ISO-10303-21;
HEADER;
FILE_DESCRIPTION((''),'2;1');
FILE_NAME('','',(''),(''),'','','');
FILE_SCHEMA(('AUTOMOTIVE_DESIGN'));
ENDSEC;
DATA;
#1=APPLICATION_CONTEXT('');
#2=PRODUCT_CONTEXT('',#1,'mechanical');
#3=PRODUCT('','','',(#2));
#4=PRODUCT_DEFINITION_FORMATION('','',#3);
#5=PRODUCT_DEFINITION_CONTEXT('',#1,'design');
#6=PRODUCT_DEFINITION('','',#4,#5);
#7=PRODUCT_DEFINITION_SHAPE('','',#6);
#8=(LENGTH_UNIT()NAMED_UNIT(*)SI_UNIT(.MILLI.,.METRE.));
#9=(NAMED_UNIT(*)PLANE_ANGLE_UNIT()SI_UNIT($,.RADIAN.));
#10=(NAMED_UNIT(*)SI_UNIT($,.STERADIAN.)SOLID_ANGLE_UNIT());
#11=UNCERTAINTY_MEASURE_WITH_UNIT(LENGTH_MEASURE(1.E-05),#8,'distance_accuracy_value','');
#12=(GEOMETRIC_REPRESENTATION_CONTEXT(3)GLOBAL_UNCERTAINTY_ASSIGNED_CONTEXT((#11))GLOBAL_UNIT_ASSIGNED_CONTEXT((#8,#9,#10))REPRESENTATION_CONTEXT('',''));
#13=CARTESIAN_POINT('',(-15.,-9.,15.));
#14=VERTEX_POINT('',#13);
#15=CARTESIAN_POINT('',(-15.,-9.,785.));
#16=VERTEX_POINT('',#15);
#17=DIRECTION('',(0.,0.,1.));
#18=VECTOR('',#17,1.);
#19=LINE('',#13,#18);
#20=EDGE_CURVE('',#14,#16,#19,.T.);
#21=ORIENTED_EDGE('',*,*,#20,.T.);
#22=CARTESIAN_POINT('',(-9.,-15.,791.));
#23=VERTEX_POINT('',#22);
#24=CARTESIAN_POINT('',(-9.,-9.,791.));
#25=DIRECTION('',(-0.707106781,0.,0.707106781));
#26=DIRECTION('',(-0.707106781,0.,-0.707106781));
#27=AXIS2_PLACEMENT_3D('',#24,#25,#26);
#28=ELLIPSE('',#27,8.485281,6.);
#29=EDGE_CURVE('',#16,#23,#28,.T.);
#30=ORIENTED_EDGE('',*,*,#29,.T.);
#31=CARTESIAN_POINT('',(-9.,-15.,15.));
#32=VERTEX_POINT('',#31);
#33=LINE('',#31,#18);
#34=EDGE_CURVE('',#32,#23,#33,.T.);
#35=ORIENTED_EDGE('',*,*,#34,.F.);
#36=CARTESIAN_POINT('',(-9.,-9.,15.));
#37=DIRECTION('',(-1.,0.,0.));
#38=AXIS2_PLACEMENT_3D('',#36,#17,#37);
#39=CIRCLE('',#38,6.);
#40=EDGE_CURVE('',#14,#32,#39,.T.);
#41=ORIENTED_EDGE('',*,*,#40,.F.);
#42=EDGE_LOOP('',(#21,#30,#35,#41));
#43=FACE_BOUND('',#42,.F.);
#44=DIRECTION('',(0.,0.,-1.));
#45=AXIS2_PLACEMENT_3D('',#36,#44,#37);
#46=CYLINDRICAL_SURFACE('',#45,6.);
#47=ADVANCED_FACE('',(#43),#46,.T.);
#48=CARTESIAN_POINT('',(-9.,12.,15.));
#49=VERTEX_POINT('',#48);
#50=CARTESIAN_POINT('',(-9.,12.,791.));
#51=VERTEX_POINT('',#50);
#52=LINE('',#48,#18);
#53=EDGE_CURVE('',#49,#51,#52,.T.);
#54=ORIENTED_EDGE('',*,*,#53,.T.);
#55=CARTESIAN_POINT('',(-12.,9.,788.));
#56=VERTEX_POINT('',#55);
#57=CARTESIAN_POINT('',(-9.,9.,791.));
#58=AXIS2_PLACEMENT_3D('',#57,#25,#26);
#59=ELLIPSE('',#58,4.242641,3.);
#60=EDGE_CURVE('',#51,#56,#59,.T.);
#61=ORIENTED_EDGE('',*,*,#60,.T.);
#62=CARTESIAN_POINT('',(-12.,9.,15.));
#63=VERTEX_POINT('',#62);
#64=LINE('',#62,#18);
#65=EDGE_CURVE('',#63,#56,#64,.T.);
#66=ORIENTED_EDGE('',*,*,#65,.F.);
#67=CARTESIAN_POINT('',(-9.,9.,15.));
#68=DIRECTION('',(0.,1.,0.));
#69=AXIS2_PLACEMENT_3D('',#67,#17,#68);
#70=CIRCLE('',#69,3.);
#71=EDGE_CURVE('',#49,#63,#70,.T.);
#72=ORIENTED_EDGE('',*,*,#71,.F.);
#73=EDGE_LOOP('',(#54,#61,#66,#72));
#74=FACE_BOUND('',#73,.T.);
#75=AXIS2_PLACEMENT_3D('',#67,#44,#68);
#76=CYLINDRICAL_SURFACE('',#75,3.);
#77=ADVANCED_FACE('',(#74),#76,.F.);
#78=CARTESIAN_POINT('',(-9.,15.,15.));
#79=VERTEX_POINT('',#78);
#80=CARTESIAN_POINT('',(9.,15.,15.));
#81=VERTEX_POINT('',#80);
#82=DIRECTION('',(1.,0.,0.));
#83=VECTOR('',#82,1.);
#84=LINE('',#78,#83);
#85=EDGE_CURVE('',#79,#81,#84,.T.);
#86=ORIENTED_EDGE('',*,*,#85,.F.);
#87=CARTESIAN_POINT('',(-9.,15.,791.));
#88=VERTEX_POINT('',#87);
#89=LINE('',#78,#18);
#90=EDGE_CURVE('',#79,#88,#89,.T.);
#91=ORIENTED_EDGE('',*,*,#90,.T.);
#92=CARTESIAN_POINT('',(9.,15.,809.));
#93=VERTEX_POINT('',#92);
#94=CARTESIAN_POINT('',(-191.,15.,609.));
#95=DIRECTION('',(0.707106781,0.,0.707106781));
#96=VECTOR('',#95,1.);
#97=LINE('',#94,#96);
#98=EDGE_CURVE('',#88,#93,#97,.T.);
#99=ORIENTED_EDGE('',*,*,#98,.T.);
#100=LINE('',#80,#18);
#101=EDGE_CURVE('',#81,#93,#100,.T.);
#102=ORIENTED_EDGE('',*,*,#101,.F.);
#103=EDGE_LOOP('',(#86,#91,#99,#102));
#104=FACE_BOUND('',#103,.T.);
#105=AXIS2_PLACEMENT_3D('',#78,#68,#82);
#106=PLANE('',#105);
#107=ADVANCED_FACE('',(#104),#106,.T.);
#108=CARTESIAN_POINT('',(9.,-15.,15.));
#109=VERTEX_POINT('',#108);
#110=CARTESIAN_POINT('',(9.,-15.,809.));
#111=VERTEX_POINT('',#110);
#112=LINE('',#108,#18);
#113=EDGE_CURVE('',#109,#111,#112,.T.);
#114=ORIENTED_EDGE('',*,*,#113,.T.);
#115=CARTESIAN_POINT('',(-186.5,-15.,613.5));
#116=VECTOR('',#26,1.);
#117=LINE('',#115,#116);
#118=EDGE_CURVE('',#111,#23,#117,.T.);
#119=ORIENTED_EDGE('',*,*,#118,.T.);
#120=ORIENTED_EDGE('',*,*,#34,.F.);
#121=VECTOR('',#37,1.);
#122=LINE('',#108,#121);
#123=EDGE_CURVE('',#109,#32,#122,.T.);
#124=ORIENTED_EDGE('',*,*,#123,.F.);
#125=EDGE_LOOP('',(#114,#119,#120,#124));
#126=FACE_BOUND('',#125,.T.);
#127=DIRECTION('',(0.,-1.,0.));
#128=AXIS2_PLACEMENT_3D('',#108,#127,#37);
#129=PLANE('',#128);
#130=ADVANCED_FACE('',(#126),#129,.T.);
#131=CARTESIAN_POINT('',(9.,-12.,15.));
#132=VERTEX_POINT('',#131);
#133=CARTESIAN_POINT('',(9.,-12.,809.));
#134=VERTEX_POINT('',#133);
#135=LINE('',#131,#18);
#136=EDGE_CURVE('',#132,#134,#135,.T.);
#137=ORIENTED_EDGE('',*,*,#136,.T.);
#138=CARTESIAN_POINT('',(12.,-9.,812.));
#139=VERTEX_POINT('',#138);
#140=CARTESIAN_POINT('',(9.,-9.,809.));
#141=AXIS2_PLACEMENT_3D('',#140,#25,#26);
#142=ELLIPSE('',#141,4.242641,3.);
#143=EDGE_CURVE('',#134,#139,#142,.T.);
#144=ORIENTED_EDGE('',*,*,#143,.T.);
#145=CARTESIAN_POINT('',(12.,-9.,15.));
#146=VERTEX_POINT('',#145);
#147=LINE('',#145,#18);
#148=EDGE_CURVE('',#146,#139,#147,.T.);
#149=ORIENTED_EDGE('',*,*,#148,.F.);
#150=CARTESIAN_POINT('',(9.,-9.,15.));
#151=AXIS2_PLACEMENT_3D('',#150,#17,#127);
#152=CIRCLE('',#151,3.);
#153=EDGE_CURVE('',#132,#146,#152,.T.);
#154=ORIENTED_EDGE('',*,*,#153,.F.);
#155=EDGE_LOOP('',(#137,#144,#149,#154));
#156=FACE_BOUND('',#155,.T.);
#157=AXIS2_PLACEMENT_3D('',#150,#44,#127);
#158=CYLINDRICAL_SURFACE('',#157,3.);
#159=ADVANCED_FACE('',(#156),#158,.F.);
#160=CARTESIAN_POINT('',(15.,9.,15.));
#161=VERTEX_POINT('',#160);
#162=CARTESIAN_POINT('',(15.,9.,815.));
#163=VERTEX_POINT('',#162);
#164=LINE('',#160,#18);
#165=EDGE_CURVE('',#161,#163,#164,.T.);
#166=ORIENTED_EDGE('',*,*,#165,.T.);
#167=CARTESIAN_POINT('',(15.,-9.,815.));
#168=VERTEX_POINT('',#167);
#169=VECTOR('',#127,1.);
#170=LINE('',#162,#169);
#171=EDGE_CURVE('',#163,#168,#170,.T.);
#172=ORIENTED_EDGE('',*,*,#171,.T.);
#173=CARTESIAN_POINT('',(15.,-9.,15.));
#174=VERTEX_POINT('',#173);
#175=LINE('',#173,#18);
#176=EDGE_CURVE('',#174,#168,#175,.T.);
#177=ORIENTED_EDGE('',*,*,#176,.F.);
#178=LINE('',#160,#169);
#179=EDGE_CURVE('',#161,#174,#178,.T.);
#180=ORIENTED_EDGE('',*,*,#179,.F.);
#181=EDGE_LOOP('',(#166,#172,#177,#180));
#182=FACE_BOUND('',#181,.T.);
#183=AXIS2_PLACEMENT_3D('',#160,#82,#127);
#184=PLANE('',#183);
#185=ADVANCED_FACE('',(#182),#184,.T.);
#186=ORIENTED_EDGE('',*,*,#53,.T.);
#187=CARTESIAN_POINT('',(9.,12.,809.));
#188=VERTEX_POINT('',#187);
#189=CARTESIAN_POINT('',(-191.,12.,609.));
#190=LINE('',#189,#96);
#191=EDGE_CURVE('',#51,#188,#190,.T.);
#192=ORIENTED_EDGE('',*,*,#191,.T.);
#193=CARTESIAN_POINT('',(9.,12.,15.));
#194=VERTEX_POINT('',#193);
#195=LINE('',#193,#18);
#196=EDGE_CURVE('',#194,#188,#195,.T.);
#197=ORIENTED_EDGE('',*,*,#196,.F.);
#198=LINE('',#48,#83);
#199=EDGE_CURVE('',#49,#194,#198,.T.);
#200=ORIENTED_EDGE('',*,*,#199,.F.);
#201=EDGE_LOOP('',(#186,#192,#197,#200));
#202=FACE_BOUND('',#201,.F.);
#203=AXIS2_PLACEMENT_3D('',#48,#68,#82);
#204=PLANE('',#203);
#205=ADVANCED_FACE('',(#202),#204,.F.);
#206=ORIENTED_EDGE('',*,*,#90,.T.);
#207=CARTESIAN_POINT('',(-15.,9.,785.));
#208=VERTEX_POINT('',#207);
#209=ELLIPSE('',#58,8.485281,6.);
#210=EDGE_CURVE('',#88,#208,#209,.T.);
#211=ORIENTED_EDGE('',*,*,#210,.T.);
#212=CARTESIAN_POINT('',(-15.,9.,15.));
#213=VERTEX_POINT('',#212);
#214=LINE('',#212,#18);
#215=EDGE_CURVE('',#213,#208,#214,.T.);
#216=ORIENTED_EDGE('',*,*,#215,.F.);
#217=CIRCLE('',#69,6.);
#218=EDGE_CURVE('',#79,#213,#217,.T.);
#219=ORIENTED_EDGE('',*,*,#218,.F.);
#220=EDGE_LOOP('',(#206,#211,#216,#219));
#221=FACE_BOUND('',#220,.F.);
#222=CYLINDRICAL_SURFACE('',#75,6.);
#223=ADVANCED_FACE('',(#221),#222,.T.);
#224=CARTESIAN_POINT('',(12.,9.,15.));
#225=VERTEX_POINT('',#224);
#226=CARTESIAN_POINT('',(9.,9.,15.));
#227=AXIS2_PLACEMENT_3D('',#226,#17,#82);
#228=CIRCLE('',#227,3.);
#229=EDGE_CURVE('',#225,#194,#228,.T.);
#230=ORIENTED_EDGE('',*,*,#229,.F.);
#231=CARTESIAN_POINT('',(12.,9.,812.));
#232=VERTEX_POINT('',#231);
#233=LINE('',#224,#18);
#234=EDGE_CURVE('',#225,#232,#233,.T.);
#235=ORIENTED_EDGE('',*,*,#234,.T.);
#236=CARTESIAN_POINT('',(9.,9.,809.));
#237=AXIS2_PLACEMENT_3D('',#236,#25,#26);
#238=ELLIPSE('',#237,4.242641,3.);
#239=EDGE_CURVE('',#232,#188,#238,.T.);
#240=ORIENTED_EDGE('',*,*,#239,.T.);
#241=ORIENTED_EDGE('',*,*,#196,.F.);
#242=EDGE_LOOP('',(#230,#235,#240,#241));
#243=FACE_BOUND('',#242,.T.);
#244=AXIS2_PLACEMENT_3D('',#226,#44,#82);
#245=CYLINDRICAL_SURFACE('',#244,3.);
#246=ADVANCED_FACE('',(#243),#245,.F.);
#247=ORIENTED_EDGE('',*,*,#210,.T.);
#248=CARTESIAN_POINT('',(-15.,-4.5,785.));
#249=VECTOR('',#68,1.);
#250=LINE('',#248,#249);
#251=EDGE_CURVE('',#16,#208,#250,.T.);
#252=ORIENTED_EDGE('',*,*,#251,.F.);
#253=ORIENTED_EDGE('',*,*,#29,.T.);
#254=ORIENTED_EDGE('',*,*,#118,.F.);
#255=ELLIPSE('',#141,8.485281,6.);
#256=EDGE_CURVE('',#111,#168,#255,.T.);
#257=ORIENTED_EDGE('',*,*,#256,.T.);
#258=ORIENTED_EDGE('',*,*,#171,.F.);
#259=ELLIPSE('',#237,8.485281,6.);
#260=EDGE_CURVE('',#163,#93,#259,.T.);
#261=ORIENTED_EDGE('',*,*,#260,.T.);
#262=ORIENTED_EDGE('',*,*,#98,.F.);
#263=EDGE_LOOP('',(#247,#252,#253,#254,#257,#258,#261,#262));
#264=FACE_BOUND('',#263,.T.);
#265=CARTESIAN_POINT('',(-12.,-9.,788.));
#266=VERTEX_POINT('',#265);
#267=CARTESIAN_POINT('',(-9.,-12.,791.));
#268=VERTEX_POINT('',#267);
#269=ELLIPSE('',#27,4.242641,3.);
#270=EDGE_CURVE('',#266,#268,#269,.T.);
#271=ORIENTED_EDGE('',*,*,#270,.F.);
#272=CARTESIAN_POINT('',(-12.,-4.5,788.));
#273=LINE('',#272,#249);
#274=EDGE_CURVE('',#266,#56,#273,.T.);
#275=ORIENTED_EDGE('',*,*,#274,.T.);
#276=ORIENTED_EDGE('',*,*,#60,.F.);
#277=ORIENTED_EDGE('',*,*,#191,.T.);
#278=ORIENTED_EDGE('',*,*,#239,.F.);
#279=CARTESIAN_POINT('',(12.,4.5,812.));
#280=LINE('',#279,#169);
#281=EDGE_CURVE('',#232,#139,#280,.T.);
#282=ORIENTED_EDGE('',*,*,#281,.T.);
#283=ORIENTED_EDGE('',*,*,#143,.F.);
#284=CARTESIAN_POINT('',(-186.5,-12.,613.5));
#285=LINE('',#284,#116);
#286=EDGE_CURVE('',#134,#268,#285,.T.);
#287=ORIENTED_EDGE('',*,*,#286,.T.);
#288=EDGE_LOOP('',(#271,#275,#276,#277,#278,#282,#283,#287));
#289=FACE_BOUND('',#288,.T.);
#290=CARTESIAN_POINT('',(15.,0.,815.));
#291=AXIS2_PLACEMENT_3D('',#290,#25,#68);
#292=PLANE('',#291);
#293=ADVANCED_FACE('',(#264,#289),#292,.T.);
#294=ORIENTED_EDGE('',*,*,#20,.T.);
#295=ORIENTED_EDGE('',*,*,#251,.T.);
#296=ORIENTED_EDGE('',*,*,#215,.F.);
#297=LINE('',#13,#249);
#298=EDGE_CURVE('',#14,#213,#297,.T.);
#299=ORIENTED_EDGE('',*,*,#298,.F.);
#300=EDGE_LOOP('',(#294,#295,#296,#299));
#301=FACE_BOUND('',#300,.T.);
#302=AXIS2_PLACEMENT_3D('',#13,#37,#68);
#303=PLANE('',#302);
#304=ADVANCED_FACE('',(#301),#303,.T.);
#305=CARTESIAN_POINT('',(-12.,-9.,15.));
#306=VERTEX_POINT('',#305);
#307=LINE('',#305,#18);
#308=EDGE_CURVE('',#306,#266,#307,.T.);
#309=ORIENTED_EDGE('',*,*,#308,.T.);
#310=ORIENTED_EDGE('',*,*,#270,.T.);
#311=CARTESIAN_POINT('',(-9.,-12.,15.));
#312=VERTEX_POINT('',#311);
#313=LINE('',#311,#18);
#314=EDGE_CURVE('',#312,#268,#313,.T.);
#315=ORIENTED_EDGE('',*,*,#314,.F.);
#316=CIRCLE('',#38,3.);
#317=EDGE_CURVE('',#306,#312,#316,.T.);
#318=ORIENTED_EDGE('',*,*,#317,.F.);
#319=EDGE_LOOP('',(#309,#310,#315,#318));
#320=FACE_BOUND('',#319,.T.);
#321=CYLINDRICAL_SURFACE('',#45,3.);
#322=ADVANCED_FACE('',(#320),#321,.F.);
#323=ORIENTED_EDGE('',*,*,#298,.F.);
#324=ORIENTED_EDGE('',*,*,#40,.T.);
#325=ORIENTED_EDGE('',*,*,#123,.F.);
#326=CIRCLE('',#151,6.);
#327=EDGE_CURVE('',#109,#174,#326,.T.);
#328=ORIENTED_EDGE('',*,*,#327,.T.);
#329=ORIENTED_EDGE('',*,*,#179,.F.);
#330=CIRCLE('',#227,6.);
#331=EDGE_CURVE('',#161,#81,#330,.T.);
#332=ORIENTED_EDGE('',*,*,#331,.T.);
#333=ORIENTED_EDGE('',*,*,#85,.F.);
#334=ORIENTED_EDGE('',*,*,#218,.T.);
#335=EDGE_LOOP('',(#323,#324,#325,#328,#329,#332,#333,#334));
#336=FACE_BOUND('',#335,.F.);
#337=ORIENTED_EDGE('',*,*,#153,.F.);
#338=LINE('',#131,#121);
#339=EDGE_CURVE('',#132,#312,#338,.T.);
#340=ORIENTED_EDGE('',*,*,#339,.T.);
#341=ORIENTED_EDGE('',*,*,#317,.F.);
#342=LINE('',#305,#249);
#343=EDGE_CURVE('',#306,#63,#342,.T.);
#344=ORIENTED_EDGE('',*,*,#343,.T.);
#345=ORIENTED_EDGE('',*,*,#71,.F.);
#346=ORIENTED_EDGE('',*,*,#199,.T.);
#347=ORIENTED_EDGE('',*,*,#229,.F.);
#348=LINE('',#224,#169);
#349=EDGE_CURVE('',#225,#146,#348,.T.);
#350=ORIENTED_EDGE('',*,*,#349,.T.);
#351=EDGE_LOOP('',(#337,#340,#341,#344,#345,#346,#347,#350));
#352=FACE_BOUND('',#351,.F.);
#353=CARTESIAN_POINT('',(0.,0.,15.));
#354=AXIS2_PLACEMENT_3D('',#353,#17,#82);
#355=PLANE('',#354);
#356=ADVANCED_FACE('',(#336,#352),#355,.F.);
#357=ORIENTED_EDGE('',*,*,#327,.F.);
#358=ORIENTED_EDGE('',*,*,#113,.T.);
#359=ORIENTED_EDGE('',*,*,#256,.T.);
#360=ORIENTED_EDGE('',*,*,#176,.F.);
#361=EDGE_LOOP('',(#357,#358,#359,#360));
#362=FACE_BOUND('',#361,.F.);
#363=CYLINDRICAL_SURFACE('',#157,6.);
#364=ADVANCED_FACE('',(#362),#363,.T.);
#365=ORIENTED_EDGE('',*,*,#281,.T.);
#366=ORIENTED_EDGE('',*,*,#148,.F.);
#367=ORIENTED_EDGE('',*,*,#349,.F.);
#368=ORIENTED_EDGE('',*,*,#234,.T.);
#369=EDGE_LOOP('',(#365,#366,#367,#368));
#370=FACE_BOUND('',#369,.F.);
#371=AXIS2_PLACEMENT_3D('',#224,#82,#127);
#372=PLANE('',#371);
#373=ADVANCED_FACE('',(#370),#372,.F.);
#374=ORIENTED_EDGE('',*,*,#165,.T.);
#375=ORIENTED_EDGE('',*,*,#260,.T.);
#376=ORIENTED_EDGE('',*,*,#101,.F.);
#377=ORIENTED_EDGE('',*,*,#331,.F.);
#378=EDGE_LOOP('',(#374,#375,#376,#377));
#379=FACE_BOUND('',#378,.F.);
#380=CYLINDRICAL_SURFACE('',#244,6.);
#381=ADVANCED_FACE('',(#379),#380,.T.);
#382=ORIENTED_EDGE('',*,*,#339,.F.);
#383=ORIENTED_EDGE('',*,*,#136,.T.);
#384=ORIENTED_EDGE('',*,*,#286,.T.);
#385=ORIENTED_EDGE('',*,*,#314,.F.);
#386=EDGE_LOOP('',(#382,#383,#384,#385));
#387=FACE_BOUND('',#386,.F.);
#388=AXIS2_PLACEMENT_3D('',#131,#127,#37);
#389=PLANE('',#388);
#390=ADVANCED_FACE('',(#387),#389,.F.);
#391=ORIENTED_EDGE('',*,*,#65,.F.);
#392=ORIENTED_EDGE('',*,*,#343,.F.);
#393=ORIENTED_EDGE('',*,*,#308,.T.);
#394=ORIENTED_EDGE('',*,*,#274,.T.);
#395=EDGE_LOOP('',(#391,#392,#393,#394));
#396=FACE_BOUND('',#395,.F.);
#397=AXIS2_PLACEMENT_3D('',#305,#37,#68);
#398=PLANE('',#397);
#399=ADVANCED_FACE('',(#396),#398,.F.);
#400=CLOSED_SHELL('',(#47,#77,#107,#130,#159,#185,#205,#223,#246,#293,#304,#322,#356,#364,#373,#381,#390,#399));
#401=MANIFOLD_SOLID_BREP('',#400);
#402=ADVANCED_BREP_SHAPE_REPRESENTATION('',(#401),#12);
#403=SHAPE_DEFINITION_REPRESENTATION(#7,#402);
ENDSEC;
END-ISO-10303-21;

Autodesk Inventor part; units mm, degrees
ref_plane "Start Plane" through (0, 0, 15) normal (0, 0, 1) x (1, 0, 0)
ref_plane "End Plane" through (0, 0, 815) normal (0, 0, 1) x (1, 0, 0)
sketch "Sketch" plane through (0, 0, 0) normal (0, 0, 1) x (1, 0, 0)
  line L0 (-15, -9) -> (-15, 9)
  line L1 (-9, 15) -> (9, 15)
  line L2 (15, 9) -> (15, -9)
  line L3 (9, -15) -> (-9, -15)
  arc A0 (-15, -9) -> (-9, -15) centre (-9, -9) ccw
  arc A1 (-9, 15) -> (-15, 9) centre (-9, 9) ccw
  arc A2 (15, 9) -> (9, 15) centre (9, 9) ccw
  arc A3 (9, -15) -> (15, -9) centre (9, -9) ccw
  arc A4 (-9, 12) -> (-12, 9) centre (-9, 9) ccw
  line L4 (-9, 12) -> (9, 12)
  arc A5 (12, 9) -> (9, 12) centre (9, 9) ccw
  line L5 (12, 9) -> (12, -9)
  arc A6 (9, -12) -> (12, -9) centre (9, -9) ccw
  line L6 (9, -12) -> (-9, -12)
  arc A7 (-12, -9) -> (-9, -12) centre (-9, -9) ccw
  line L7 (-12, -9) -> (-12, 9)
  line L8 (0, 22.7397) -> (0, -22.7397) construction
  line L9 (-22.7397, 0) -> (22.7397, 0) construction
  dimension "d7" = 6
  dimension "d10" = 30
  dimension "d11" = 30
  dimension "d12" = 3
  dimension "d15" = 15
  dimension "d16" = 15
extrude "Body" add sketch "Sketch" along normal up to surface (800 mm away) from surface at 15
sketch "Sketch3" plane through (0, 0, 0) normal (0, 0, 1) x (1, 0, 0)
  line L0 (0, 0) -> (10, 0)
ref_plane "Work Plane3" through (0, 0, 0) normal (0, -1, 0) x (1, 0, 0)
ref_plane "Work Plane4" through (15, 0, 815) normal (-0.7071, 0, 0.7071) x (0.7071, 0, 0.7071)
split "Split1" plane through (15, 0, 815) removes the side toward (-0.7071, 0, 0.7071)
ref_plane "Work Plane5" through (-1222, -9, 15) normal (0, 0, -1) x (-1, 0, 0)
split "Split2" plane through (-1222, -9, 15) removes the side toward (0, 0, -1)
sketch "Sketch4" plane through (0, 0, 0) normal (0, -1, 0) x (1, 0, 0)
  line L0 (-2, 15) -> (12, 15) projected
  line L1 (-2, 815) -> (12, 815) projected
  dimension "d18" = 800
equation "\"d7\" = G_IR"
equation "\"d10\" = G_H"
equation "\"d11\" = G_W"
equation "\"d12\" = G_T"
equation "\"d15\" = 0.5 * d10"
equation "\"d16\" = 0.5 * d11"
equation "\"d3\" = G_L"
equation "\"G_W\" = 30"
equation "\"G_H\" = 30"
equation "\"G_T\" = 3"
equation "\"G_IR\" = 6"
equation "\"G_L\" = d18"
equation "\"G_OFFSET_START\" = -15"
equation "\"G_OFFSET_END\" = 15"
equation "\"d13\" = -G_OFFSET_START"
equation "\"d14\" = G_OFFSET_END + B_L"
equation "\"B_L\" = 800"
properties part number "DIN EN 10219-2 - 30 x 30 x 3  - 800" material "Steel, Mild"
